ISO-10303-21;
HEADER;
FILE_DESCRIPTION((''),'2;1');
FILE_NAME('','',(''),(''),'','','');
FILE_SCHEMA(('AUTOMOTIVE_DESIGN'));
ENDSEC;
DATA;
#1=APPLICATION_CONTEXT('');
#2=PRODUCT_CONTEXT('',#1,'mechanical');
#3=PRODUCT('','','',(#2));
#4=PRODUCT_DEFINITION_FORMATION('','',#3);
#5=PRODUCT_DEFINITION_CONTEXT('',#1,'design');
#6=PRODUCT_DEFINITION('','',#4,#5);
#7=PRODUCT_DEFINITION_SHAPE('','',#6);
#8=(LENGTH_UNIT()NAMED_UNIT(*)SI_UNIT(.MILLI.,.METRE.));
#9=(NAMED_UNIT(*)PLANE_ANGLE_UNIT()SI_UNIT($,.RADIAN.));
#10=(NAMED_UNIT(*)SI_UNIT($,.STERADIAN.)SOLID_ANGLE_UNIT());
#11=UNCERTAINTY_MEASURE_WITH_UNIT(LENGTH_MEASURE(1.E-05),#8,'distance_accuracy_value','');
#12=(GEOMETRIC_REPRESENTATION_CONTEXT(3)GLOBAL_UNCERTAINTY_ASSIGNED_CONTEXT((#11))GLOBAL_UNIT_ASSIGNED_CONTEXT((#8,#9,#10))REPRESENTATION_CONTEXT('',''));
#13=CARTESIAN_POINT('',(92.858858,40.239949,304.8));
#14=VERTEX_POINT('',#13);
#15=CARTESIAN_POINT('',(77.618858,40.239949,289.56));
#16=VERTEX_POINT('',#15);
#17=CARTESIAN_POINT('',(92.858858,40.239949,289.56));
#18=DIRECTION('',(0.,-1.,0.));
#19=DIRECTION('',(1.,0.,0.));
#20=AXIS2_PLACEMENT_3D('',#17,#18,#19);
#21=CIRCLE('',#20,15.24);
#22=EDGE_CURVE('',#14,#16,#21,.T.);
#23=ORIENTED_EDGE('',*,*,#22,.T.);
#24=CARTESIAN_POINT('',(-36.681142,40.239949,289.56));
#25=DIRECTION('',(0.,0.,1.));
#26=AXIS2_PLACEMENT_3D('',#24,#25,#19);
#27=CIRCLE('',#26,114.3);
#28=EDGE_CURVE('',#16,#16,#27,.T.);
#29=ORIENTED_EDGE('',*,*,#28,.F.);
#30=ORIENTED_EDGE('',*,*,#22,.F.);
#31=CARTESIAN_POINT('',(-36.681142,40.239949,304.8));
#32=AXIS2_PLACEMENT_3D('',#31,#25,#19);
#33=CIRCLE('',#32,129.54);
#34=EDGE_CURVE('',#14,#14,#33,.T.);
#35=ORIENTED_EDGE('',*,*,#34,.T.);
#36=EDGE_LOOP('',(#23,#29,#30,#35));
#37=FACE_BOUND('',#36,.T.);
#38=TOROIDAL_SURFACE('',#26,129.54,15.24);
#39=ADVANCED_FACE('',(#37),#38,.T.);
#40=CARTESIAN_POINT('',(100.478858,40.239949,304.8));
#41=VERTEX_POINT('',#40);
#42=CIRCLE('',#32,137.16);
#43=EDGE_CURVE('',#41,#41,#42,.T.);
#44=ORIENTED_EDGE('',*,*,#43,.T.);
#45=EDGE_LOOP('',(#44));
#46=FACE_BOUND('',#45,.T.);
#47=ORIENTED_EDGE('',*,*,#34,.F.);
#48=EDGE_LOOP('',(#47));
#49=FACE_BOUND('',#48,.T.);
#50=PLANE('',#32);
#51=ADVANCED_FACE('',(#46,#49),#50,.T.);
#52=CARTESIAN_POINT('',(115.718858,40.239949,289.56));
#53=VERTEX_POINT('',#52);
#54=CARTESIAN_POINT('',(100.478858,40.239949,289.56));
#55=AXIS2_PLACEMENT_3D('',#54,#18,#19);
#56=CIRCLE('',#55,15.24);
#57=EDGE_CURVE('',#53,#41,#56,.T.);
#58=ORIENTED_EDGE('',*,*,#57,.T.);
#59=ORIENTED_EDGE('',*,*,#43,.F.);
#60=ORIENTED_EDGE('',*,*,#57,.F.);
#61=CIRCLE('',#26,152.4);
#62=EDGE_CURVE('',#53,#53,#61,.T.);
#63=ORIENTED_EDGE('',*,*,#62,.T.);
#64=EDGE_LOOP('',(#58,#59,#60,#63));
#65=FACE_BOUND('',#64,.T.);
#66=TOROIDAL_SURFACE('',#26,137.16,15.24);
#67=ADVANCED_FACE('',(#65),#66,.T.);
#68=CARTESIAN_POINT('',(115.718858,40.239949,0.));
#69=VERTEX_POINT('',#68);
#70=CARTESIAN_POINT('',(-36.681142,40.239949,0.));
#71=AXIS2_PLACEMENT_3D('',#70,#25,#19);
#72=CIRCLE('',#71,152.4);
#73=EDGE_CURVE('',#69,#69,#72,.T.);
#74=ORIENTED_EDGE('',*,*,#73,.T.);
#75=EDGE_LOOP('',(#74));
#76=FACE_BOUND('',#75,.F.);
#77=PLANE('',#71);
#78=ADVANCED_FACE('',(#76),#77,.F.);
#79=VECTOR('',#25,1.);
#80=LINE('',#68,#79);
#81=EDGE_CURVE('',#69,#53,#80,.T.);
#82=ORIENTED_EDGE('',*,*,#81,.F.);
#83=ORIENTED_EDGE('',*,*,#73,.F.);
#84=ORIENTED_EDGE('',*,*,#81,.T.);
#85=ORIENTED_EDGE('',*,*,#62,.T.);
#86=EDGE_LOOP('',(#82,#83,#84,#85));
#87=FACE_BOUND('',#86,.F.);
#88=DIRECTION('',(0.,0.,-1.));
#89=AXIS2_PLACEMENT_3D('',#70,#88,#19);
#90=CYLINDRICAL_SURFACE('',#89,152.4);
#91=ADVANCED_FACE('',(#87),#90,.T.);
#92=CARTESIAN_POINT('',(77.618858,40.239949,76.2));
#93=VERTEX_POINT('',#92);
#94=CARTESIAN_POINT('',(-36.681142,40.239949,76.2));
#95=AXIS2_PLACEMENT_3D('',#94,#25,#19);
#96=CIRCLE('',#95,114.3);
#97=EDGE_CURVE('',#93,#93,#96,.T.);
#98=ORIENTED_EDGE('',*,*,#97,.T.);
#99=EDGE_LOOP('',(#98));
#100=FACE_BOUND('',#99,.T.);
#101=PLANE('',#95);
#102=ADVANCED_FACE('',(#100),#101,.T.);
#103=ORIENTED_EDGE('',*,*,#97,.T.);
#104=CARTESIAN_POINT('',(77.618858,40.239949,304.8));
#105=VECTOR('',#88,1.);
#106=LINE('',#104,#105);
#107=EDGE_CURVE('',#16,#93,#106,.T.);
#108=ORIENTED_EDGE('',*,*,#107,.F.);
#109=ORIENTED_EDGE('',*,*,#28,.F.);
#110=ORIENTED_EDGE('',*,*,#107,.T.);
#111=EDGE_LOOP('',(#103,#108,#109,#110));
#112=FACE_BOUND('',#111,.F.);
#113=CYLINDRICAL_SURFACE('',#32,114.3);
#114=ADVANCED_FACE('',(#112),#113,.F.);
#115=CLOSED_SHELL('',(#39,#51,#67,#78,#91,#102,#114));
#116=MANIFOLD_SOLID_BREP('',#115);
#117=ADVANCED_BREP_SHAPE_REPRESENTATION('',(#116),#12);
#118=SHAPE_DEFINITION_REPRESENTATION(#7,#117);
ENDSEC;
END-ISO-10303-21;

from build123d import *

# Parameters (mm, degrees)
F0_R     = 152.4
F1_DEPTH = 304.8
F2_R     = 114.3
F3_DEPTH = 228.6
F4_R     = 15.24


with BuildPart() as f1:
    # F0 (on Top) → F1 (new body)
    with BuildSketch(Plane.XY):
        with Locations((-36.681142, 40.239949)):
            Circle(F0_R)
    extrude(amount=F1_DEPTH)

    # F2 (on face) → F3 (cut)
    with BuildSketch(Plane.XY.offset(304.8)):
        with Locations((-36.681142, 40.239949)):
            Circle(F2_R)
    extrude(amount=-F3_DEPTH, mode=Mode.SUBTRACT)

    # F4
    f4_edges = [f1.edges().sort_by_distance(p)[0] for p in [
        (-150.981142, 40.239949, 304.8),
        (-189.081142, 40.239949, 304.8),
    ]]
    fillet(f4_edges, radius=F4_R)


solid = f1.part
